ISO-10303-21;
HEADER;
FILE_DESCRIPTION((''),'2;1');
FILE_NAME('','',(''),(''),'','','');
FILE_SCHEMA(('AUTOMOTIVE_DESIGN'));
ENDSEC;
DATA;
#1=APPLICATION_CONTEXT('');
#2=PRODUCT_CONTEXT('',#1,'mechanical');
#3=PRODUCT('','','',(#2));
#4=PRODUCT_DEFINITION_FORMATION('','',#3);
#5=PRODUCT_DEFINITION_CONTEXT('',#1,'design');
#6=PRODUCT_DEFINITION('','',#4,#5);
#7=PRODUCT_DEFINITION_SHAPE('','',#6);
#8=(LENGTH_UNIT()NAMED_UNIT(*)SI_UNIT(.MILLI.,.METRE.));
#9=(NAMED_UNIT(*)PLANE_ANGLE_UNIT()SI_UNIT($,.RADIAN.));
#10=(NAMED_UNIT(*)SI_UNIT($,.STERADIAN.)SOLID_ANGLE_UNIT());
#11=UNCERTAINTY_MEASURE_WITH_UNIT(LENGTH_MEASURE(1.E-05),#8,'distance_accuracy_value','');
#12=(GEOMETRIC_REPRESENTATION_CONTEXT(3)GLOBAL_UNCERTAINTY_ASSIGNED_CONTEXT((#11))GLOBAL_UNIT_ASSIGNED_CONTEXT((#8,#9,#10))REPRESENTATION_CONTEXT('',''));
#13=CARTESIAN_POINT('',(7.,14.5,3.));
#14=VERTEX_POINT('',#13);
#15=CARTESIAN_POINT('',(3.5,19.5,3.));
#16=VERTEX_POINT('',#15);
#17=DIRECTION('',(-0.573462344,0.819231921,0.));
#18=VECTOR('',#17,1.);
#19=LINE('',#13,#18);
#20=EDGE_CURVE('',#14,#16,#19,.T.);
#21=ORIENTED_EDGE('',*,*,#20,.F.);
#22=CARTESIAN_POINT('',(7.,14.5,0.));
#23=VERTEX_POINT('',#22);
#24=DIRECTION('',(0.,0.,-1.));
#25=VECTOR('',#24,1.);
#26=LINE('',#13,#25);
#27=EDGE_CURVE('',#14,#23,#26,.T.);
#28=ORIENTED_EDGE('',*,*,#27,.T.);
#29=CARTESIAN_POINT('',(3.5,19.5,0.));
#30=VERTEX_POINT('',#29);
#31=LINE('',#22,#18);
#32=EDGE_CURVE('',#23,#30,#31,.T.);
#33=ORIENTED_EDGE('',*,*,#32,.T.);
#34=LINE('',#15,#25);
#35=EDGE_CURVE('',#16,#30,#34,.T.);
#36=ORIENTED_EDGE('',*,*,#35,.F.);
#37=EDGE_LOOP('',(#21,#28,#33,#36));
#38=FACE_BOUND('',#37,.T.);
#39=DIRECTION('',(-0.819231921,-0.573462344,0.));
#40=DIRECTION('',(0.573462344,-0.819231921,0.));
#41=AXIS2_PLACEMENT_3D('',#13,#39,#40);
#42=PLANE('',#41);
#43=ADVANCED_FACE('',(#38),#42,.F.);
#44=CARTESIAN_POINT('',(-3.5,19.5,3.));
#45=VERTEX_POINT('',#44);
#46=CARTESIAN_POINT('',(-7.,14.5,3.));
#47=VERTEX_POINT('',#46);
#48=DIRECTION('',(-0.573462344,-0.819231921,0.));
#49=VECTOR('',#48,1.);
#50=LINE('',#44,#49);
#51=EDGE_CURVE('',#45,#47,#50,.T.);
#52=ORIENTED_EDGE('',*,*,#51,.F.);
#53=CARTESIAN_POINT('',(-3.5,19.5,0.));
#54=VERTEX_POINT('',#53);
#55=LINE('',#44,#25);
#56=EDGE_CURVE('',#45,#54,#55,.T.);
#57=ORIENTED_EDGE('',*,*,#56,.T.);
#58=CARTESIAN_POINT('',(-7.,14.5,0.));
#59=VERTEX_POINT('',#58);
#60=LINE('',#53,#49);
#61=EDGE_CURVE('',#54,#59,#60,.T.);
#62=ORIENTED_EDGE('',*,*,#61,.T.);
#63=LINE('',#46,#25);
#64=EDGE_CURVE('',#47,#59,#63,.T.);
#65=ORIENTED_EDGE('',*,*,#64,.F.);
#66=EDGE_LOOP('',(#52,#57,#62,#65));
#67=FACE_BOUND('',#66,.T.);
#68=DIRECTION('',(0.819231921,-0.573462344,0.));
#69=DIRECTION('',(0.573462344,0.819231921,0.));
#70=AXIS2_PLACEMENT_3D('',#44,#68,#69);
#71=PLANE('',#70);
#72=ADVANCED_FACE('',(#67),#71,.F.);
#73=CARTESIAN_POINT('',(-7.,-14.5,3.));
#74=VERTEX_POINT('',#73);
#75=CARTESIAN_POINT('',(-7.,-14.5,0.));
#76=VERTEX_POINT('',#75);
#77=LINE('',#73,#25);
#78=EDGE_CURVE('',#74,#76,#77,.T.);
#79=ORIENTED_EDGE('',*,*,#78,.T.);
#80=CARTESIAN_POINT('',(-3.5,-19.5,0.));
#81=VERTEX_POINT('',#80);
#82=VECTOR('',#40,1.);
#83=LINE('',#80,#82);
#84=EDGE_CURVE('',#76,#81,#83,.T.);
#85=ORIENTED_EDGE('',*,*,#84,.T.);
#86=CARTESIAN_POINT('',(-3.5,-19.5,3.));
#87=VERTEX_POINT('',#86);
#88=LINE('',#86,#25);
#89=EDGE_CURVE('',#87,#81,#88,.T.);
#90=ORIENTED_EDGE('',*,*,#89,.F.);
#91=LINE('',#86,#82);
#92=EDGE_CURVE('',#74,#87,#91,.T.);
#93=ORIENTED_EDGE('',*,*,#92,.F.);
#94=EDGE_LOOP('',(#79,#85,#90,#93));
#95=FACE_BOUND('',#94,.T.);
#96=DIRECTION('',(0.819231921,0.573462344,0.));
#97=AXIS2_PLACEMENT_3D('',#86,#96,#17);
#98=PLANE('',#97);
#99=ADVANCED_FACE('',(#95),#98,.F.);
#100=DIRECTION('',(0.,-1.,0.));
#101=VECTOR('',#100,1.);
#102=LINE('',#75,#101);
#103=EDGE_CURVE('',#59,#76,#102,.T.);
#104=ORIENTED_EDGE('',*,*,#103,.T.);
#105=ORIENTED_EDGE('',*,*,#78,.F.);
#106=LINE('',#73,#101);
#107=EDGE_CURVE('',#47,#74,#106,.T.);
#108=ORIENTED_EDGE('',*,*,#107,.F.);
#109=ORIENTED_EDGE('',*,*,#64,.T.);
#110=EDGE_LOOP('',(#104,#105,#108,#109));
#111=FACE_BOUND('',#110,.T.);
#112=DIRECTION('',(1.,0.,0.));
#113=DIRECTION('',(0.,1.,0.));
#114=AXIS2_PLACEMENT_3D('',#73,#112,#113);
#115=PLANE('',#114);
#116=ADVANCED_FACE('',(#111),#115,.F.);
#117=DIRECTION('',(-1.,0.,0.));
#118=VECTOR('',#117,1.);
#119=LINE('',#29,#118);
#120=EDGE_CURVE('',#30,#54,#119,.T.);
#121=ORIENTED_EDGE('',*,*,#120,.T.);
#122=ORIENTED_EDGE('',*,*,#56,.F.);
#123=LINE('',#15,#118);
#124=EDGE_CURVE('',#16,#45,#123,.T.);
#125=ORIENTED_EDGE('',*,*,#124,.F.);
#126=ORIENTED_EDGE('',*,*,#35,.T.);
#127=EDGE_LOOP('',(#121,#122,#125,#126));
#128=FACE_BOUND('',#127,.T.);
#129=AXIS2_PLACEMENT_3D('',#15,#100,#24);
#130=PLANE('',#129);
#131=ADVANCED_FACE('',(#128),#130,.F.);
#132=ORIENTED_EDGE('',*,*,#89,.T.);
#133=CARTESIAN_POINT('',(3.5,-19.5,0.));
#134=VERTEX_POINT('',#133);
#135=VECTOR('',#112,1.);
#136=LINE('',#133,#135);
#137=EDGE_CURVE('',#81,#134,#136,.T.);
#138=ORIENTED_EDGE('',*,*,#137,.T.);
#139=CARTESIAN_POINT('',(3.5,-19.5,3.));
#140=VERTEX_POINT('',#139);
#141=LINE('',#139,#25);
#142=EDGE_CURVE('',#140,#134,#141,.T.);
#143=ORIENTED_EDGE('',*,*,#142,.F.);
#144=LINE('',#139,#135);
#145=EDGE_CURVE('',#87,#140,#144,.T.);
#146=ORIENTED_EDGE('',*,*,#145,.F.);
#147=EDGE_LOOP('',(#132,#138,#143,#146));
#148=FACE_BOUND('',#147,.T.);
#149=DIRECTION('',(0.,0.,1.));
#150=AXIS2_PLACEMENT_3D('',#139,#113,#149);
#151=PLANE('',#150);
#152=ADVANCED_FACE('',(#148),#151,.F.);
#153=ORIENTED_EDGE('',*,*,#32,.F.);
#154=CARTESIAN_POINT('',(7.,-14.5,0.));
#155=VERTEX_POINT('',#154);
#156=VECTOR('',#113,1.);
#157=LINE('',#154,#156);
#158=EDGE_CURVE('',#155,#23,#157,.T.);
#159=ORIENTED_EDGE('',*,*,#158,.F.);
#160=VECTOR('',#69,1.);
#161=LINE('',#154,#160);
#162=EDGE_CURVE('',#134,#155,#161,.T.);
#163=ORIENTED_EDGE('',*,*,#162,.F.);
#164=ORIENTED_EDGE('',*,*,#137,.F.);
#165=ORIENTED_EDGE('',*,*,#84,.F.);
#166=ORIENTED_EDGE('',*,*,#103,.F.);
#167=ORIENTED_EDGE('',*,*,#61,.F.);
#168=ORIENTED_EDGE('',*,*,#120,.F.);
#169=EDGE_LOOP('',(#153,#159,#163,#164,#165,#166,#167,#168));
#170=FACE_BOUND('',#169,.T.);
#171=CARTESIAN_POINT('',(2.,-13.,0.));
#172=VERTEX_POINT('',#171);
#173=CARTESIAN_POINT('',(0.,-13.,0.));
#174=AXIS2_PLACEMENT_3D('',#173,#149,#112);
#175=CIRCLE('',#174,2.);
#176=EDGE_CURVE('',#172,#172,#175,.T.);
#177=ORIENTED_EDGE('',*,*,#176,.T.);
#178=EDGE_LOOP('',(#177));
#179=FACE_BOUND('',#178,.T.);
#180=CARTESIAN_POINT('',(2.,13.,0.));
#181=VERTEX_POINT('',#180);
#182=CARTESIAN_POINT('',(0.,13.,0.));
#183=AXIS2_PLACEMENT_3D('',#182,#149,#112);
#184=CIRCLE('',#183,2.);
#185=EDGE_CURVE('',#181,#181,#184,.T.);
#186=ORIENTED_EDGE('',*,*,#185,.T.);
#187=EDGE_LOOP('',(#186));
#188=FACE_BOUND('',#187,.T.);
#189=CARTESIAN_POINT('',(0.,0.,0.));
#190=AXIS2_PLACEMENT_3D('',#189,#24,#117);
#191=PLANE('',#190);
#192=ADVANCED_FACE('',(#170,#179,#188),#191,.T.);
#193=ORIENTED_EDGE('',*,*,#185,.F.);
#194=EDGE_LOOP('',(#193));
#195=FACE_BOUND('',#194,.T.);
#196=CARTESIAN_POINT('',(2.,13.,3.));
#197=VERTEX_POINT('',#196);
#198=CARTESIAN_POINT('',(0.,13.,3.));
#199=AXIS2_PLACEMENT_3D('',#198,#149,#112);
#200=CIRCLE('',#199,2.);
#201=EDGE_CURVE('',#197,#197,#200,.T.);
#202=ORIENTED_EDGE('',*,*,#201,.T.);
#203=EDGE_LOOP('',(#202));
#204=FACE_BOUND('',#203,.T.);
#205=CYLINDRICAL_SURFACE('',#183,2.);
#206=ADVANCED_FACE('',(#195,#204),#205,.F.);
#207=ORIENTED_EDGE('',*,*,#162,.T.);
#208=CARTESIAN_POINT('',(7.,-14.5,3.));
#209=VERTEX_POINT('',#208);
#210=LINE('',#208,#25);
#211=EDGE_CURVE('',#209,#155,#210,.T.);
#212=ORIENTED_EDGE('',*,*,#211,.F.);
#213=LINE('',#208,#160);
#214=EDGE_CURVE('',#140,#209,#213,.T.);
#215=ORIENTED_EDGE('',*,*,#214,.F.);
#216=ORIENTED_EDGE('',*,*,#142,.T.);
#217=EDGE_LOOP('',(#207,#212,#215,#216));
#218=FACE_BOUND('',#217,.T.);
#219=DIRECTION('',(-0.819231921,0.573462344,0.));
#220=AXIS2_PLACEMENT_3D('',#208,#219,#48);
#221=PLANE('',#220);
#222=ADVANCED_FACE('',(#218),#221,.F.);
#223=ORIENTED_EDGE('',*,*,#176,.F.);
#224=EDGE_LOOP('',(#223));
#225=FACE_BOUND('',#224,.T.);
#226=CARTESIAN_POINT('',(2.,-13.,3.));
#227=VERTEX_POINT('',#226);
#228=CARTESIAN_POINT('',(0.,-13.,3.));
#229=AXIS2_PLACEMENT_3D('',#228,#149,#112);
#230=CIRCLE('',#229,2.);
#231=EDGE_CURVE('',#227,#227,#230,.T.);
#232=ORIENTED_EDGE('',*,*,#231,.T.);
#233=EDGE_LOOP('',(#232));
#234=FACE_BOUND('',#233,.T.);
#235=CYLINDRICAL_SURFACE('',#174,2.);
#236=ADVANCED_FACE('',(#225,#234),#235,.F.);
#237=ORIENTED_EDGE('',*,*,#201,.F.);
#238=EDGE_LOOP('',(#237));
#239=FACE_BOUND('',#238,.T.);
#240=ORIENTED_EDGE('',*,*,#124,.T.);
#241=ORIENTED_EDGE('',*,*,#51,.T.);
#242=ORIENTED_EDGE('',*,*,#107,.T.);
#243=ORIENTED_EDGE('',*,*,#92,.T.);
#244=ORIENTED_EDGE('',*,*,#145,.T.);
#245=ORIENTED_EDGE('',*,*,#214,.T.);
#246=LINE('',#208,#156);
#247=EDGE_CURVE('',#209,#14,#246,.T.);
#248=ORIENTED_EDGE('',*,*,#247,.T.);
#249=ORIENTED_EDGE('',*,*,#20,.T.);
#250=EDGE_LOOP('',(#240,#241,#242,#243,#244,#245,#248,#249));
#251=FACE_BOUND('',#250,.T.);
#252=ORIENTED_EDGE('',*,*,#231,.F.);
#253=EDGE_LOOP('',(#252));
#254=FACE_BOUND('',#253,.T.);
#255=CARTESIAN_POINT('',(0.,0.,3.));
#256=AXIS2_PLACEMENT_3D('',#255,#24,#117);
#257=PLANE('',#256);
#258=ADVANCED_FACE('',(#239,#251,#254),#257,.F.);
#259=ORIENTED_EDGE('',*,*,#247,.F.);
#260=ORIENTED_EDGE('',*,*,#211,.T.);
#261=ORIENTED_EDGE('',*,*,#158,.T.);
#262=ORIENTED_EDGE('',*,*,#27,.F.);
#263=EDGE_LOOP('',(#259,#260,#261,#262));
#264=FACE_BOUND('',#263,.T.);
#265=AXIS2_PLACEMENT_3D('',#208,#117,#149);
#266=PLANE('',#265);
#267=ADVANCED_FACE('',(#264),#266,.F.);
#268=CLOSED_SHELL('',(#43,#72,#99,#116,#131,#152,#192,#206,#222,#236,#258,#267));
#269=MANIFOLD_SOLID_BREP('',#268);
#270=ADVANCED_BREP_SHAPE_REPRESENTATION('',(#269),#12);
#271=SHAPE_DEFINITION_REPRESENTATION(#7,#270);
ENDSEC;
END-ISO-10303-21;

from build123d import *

# Parameters (mm, degrees)
DODANIE_WYCI_GNI_CIE1_DEPTH = 3
SZKIC2_R                    = 2
WYTNIJ_WYCI_GNI_CIE1_DEPTH  = 3


with BuildPart() as part:
    # Szkic1 → Dodanie-wyciągnięcie1 (new body)
    with BuildSketch(Plane.XY):
        Polygon((7, 14.5), (3.5, 19.5), (-3.5, 19.5), (-7, 14.5), (-7, -14.5), (-3.5, -19.5), (3.5, -19.5), (7, -14.5), align=None)
    extrude(amount=DODANIE_WYCI_GNI_CIE1_DEPTH)

    # Szkic2 → Wytnij-wyciągnięcie1 (cut)
    with BuildSketch(Plane.XY.offset(3)):
        with Locations((0, 13)):
            Circle(SZKIC2_R)
        with Locations((0, -13)):
            Circle(SZKIC2_R)
    extrude(amount=-WYTNIJ_WYCI_GNI_CIE1_DEPTH, mode=Mode.SUBTRACT)


solid = part.part
